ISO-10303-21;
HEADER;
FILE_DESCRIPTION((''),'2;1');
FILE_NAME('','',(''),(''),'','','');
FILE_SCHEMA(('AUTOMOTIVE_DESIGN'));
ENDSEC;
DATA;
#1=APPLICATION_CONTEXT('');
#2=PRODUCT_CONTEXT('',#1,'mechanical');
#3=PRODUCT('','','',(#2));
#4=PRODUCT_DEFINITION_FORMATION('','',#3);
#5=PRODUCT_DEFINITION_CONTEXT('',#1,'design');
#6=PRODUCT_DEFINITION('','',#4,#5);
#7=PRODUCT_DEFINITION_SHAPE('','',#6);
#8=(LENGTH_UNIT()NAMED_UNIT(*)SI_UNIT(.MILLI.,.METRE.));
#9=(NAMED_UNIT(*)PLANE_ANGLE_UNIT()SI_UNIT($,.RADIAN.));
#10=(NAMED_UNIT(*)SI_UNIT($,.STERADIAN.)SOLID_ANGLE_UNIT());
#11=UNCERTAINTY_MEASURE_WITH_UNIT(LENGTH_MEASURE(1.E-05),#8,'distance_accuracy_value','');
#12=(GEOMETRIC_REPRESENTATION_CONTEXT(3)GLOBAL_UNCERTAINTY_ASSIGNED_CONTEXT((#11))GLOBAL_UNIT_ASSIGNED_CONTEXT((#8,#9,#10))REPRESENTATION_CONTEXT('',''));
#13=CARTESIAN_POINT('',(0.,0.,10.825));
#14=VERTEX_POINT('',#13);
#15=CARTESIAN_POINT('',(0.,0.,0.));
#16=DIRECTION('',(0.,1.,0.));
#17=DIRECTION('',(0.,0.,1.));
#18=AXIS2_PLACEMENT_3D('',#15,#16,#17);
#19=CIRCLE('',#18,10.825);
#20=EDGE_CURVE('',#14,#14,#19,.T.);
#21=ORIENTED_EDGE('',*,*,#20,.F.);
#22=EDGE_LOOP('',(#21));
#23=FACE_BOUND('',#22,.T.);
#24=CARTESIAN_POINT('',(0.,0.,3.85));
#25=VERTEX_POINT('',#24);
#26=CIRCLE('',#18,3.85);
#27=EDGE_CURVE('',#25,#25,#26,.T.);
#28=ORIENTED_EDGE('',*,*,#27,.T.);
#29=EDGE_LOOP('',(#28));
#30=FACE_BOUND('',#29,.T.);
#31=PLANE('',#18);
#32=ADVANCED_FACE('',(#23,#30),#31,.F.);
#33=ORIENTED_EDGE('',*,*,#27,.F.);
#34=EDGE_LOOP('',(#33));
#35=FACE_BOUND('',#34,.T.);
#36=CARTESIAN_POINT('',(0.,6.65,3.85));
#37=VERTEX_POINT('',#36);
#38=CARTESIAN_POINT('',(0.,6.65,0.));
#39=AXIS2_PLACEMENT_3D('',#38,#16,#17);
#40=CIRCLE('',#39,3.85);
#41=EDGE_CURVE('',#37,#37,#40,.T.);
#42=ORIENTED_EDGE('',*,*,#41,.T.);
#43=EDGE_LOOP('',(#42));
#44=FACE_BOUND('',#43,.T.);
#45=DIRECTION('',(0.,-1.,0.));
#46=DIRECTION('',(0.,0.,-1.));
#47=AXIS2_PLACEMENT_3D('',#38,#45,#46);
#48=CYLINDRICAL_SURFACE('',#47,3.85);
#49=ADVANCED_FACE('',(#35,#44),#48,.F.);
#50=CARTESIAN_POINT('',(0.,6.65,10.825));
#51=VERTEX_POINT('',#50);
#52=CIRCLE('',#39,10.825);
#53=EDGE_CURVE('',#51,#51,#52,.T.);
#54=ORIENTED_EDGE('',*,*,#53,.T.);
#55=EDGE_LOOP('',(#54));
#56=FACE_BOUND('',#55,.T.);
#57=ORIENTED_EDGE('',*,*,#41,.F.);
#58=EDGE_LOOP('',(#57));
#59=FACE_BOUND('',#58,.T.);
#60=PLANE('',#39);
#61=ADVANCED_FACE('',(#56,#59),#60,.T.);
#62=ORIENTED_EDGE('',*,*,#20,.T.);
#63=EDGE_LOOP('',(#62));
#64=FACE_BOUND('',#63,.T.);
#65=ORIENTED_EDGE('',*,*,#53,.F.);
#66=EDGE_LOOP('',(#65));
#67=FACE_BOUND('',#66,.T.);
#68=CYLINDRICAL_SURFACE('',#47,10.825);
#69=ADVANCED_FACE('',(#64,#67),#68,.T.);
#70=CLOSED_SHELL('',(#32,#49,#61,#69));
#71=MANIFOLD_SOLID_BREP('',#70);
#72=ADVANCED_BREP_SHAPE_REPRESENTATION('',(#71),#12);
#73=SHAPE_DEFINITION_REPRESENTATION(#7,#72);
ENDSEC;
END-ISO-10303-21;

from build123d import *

# Parameters (mm, degrees)
SKETCH1_R           = 10.825
SKETCH1_R_2         = 3.85
BOSS_EXTRUDE1_DEPTH = 6.65


with BuildPart() as part:
    # Sketch1 → Boss-Extrude1 (new body)
    with BuildSketch(Plane(origin=(0, 0, 0), x_dir=(1, 0, 0), z_dir=(0, 1, 0))):
        Circle(SKETCH1_R)
        Circle(SKETCH1_R_2, mode=Mode.SUBTRACT)
    extrude(amount=BOSS_EXTRUDE1_DEPTH)


solid = part.part
